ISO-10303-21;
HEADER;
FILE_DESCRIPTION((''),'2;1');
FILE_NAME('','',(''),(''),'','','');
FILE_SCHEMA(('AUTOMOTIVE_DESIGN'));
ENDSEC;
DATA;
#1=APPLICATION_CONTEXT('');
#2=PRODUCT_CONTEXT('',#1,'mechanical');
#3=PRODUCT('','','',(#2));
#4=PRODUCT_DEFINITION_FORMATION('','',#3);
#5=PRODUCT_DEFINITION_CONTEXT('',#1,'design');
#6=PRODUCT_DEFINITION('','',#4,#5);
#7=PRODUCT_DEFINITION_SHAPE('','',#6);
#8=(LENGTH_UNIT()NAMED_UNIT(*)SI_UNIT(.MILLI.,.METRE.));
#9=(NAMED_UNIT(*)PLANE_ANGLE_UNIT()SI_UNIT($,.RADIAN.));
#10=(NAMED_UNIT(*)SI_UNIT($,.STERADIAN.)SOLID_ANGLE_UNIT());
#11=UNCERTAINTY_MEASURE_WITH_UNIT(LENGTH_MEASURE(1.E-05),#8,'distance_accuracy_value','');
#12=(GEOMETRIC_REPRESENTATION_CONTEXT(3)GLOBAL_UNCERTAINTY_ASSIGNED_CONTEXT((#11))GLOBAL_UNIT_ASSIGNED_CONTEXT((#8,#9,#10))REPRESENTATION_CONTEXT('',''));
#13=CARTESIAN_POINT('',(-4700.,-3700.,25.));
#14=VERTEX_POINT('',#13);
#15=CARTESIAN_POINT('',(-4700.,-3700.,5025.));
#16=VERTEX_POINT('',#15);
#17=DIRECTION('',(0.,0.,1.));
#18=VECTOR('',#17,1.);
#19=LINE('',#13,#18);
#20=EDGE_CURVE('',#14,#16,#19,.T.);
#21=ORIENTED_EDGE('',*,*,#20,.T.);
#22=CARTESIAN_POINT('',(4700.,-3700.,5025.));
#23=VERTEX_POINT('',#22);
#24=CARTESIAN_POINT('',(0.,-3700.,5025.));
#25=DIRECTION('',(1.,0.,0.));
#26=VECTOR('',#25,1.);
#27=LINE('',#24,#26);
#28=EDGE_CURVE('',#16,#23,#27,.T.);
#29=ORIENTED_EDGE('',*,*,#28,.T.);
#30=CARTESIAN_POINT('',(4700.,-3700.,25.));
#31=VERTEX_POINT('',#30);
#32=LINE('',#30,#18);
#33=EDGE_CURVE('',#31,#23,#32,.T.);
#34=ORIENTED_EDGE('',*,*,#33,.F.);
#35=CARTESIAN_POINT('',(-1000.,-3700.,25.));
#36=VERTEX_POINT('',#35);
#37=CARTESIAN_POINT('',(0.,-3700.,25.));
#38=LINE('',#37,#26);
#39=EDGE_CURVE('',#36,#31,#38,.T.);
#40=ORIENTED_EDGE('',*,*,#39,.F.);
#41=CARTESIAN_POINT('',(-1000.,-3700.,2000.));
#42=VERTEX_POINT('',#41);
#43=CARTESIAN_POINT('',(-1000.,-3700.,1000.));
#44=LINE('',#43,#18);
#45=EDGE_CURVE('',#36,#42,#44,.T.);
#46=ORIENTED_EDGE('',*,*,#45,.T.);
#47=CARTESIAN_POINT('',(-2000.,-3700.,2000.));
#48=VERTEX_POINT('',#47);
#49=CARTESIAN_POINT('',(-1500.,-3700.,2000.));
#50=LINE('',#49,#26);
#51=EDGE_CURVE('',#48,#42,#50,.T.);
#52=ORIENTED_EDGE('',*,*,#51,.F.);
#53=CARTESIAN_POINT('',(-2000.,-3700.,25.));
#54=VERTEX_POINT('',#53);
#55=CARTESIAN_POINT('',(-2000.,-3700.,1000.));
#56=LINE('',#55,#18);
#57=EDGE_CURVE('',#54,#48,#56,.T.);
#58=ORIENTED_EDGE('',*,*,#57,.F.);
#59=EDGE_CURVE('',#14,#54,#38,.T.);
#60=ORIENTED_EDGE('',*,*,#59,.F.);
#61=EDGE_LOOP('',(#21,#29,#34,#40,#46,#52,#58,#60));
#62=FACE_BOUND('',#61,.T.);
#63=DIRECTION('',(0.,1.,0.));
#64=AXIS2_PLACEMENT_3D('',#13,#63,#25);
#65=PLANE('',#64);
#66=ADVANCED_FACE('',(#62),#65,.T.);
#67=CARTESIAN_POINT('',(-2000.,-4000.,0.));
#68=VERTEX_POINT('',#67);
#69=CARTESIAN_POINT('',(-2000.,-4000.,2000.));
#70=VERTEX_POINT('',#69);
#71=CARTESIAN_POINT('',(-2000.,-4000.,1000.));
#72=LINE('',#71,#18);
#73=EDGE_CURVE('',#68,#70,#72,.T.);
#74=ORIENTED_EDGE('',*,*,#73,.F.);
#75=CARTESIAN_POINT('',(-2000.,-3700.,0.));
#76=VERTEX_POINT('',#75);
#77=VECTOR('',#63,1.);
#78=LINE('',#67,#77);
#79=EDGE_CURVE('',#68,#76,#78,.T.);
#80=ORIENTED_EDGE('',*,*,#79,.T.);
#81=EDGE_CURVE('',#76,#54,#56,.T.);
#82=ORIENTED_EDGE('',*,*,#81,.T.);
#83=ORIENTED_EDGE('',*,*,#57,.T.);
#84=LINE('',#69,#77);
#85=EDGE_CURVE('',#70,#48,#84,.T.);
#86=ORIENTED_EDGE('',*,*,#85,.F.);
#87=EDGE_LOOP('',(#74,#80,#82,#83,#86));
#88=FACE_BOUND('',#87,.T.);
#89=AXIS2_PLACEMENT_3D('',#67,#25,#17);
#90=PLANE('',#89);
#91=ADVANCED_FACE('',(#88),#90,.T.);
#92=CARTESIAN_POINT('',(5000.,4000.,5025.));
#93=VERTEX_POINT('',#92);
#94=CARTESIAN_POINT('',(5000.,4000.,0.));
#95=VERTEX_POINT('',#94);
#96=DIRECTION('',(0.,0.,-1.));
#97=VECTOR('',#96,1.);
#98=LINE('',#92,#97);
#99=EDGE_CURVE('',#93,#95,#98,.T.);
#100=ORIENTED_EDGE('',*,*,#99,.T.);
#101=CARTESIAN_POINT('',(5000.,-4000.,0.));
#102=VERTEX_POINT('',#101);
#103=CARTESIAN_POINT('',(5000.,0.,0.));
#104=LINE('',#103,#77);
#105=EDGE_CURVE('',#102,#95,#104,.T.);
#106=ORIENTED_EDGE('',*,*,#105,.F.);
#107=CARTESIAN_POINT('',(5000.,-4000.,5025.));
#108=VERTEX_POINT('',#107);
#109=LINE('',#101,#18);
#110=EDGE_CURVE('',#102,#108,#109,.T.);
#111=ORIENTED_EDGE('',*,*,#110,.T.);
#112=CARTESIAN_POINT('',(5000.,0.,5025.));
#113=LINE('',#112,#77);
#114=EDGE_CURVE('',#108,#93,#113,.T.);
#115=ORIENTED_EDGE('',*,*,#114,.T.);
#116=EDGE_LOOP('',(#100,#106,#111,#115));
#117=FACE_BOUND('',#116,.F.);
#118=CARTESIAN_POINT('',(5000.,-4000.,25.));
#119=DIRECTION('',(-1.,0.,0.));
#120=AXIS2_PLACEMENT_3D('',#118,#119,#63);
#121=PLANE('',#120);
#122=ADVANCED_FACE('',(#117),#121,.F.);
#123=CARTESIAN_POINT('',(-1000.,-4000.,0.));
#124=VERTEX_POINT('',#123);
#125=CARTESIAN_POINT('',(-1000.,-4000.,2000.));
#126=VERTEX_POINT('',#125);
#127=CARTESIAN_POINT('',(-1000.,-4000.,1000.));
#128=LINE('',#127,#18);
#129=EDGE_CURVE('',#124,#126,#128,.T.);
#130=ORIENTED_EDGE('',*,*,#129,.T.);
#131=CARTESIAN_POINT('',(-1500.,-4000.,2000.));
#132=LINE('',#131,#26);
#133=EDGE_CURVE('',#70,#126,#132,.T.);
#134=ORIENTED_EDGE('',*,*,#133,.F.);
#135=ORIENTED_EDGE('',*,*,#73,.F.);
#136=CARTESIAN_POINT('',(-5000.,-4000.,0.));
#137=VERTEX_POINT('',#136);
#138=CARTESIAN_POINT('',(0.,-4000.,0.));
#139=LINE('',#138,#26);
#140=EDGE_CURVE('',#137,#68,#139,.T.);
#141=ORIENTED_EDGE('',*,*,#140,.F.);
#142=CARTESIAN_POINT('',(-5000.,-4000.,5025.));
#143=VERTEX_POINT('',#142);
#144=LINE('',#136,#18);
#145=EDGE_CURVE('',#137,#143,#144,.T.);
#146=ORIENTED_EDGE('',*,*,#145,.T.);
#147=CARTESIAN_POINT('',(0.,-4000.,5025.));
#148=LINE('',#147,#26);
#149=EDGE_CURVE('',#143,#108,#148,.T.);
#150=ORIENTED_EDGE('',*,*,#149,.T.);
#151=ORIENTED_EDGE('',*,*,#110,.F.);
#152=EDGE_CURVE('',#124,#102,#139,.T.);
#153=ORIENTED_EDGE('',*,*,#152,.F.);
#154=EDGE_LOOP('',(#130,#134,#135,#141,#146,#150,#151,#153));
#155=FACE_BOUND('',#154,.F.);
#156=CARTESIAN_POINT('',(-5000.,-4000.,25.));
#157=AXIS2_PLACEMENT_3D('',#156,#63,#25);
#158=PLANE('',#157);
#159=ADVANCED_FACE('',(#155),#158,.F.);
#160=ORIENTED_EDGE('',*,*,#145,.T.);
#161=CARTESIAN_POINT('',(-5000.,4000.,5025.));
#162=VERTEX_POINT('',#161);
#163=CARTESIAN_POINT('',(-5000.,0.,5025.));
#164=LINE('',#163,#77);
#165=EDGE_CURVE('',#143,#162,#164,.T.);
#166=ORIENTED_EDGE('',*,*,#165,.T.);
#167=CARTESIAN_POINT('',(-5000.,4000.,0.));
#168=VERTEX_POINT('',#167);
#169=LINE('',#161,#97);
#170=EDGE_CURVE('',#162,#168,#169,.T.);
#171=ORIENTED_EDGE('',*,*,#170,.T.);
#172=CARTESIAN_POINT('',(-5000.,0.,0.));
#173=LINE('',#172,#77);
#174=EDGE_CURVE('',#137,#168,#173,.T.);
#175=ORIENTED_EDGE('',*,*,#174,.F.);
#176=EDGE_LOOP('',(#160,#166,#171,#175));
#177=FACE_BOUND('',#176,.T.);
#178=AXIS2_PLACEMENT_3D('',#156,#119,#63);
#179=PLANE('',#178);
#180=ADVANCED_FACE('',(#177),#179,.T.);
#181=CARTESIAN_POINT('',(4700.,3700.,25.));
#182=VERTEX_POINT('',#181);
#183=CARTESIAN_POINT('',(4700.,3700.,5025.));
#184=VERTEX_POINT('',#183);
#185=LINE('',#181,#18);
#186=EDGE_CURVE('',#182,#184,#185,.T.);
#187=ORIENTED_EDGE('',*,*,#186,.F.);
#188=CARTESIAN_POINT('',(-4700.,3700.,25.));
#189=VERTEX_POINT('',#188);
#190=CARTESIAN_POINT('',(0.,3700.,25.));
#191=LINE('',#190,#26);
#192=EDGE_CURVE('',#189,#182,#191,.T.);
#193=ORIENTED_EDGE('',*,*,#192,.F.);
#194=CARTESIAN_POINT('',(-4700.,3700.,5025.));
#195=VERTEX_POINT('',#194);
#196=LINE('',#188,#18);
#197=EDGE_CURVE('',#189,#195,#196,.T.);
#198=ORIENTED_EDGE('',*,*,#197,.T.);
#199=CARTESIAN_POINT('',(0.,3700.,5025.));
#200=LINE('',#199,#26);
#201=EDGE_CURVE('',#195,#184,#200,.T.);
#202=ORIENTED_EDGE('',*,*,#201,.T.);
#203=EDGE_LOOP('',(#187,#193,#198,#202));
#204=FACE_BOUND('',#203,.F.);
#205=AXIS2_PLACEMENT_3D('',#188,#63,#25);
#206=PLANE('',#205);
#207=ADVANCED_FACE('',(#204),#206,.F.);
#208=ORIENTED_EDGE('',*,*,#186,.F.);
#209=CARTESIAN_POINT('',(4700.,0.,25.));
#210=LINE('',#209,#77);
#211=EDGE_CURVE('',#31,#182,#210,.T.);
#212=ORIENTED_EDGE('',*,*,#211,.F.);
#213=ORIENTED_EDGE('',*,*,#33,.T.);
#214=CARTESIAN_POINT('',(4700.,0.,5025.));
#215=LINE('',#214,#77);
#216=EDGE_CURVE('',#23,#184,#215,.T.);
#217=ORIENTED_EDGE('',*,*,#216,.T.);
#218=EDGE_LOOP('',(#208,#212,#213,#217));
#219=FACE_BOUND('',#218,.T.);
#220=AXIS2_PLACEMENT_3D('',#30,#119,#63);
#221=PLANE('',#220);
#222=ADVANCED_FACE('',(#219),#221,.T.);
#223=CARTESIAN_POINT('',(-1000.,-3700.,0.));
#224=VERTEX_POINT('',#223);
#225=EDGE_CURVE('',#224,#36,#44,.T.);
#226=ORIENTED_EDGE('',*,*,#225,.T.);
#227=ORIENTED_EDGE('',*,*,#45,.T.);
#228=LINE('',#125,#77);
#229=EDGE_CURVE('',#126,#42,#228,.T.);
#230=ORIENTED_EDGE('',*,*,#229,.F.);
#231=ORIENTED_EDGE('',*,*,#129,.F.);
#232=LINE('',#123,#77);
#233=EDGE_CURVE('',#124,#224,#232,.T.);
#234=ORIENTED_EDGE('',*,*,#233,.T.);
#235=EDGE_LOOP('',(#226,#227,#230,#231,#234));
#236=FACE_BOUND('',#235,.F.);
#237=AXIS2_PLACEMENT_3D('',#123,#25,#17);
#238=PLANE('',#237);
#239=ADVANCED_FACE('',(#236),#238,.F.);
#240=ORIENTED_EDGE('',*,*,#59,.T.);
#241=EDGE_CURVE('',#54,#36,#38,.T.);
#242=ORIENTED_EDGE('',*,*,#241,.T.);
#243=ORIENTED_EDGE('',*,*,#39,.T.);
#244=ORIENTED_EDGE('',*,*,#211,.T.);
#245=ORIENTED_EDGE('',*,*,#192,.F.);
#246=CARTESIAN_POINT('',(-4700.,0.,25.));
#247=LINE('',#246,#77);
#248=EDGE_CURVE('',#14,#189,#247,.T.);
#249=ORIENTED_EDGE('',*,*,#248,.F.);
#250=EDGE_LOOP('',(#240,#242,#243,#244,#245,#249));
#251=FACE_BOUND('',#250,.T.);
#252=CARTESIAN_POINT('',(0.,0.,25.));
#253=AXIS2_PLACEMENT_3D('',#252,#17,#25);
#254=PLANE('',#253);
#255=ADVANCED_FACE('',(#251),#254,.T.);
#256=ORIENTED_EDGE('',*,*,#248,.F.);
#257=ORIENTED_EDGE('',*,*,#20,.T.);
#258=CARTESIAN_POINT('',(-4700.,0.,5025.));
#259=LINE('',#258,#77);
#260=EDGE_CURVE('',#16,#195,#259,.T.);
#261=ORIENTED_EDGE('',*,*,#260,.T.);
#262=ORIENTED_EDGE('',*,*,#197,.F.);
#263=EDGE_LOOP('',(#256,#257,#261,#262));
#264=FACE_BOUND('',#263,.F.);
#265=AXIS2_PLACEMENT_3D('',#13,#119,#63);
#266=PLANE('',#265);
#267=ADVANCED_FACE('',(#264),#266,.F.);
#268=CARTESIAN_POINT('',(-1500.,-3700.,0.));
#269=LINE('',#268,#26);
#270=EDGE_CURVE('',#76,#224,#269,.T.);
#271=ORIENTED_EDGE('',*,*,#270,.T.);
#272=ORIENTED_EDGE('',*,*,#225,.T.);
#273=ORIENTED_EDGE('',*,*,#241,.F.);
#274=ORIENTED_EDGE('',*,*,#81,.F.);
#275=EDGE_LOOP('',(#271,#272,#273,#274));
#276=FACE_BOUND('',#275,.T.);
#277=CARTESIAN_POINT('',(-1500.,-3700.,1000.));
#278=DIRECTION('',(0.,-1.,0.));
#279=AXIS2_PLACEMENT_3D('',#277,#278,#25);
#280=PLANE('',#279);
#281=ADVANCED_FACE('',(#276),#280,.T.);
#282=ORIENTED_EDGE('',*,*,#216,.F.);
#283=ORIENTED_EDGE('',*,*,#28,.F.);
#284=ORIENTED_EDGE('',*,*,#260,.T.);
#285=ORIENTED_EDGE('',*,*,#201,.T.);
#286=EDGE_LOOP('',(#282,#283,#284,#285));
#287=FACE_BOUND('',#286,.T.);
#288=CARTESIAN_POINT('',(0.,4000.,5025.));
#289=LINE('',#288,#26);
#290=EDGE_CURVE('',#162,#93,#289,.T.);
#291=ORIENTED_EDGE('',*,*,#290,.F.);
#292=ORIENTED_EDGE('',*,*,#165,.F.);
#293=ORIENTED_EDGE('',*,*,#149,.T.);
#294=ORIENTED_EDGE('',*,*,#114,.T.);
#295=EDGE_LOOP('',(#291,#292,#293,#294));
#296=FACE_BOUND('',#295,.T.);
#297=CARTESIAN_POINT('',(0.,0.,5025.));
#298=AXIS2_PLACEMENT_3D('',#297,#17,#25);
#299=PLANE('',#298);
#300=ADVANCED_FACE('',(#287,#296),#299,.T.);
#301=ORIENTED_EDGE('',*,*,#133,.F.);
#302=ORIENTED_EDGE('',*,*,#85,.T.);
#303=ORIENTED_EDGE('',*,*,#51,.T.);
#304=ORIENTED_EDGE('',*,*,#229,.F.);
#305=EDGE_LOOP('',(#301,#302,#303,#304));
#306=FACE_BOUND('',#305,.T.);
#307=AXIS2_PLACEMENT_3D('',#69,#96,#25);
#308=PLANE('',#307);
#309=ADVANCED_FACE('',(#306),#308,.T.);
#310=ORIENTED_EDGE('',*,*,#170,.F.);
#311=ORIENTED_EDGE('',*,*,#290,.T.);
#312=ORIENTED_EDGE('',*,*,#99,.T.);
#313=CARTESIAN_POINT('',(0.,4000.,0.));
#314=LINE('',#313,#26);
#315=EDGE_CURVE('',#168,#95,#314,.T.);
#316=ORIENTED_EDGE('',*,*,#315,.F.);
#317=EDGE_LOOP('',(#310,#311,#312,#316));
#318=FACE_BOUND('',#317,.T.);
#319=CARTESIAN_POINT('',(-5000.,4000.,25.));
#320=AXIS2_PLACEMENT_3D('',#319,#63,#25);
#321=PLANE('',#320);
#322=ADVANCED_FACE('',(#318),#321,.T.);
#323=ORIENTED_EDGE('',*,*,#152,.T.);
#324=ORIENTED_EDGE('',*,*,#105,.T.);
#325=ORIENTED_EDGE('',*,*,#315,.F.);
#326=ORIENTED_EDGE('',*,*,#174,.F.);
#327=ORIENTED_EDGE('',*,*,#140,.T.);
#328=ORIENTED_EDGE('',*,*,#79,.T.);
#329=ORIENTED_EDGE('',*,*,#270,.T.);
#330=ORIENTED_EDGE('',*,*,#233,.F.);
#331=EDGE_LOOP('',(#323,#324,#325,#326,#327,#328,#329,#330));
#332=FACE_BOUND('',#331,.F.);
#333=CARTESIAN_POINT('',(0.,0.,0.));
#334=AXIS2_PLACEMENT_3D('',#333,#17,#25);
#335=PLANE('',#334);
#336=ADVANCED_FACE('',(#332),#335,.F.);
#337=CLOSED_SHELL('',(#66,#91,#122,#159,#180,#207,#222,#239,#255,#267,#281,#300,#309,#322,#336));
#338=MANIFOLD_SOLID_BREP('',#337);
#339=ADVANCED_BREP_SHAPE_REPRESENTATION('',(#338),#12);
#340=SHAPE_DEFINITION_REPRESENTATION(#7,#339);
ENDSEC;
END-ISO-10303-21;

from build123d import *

# Parameters (mm, degrees)
F0_W     = 10000
F0_H     = 8000
F1_DEPTH = 25
F2_W     = 10000
F2_H     = 8000
F2_W_2   = 9400
F2_H_2   = 7400
F3_DEPTH = 5000
F4_W     = 1000
F4_H     = 2000
F5_DEPTH = 300


with BuildPart() as f1:
    # F0 (on Top) → F1 (new body)
    with BuildSketch(Plane.XY):
        Rectangle(F0_W, F0_H)
    extrude(amount=F1_DEPTH)

    # F2 (on face) → F3 (join)
    with BuildSketch(Plane.XY.offset(25)):
        Rectangle(F2_W, F2_H)
        Rectangle(F2_W_2, F2_H_2, mode=Mode.SUBTRACT)
    extrude(amount=F3_DEPTH)

    # F4 (on face) → F5 (cut, through all)
    with BuildSketch(Plane.XZ.offset(4000)):
        with Locations((-1500, 1000)):
            Rectangle(F4_W, F4_H)
    extrude(amount=-F5_DEPTH, mode=Mode.SUBTRACT)


solid = f1.part
